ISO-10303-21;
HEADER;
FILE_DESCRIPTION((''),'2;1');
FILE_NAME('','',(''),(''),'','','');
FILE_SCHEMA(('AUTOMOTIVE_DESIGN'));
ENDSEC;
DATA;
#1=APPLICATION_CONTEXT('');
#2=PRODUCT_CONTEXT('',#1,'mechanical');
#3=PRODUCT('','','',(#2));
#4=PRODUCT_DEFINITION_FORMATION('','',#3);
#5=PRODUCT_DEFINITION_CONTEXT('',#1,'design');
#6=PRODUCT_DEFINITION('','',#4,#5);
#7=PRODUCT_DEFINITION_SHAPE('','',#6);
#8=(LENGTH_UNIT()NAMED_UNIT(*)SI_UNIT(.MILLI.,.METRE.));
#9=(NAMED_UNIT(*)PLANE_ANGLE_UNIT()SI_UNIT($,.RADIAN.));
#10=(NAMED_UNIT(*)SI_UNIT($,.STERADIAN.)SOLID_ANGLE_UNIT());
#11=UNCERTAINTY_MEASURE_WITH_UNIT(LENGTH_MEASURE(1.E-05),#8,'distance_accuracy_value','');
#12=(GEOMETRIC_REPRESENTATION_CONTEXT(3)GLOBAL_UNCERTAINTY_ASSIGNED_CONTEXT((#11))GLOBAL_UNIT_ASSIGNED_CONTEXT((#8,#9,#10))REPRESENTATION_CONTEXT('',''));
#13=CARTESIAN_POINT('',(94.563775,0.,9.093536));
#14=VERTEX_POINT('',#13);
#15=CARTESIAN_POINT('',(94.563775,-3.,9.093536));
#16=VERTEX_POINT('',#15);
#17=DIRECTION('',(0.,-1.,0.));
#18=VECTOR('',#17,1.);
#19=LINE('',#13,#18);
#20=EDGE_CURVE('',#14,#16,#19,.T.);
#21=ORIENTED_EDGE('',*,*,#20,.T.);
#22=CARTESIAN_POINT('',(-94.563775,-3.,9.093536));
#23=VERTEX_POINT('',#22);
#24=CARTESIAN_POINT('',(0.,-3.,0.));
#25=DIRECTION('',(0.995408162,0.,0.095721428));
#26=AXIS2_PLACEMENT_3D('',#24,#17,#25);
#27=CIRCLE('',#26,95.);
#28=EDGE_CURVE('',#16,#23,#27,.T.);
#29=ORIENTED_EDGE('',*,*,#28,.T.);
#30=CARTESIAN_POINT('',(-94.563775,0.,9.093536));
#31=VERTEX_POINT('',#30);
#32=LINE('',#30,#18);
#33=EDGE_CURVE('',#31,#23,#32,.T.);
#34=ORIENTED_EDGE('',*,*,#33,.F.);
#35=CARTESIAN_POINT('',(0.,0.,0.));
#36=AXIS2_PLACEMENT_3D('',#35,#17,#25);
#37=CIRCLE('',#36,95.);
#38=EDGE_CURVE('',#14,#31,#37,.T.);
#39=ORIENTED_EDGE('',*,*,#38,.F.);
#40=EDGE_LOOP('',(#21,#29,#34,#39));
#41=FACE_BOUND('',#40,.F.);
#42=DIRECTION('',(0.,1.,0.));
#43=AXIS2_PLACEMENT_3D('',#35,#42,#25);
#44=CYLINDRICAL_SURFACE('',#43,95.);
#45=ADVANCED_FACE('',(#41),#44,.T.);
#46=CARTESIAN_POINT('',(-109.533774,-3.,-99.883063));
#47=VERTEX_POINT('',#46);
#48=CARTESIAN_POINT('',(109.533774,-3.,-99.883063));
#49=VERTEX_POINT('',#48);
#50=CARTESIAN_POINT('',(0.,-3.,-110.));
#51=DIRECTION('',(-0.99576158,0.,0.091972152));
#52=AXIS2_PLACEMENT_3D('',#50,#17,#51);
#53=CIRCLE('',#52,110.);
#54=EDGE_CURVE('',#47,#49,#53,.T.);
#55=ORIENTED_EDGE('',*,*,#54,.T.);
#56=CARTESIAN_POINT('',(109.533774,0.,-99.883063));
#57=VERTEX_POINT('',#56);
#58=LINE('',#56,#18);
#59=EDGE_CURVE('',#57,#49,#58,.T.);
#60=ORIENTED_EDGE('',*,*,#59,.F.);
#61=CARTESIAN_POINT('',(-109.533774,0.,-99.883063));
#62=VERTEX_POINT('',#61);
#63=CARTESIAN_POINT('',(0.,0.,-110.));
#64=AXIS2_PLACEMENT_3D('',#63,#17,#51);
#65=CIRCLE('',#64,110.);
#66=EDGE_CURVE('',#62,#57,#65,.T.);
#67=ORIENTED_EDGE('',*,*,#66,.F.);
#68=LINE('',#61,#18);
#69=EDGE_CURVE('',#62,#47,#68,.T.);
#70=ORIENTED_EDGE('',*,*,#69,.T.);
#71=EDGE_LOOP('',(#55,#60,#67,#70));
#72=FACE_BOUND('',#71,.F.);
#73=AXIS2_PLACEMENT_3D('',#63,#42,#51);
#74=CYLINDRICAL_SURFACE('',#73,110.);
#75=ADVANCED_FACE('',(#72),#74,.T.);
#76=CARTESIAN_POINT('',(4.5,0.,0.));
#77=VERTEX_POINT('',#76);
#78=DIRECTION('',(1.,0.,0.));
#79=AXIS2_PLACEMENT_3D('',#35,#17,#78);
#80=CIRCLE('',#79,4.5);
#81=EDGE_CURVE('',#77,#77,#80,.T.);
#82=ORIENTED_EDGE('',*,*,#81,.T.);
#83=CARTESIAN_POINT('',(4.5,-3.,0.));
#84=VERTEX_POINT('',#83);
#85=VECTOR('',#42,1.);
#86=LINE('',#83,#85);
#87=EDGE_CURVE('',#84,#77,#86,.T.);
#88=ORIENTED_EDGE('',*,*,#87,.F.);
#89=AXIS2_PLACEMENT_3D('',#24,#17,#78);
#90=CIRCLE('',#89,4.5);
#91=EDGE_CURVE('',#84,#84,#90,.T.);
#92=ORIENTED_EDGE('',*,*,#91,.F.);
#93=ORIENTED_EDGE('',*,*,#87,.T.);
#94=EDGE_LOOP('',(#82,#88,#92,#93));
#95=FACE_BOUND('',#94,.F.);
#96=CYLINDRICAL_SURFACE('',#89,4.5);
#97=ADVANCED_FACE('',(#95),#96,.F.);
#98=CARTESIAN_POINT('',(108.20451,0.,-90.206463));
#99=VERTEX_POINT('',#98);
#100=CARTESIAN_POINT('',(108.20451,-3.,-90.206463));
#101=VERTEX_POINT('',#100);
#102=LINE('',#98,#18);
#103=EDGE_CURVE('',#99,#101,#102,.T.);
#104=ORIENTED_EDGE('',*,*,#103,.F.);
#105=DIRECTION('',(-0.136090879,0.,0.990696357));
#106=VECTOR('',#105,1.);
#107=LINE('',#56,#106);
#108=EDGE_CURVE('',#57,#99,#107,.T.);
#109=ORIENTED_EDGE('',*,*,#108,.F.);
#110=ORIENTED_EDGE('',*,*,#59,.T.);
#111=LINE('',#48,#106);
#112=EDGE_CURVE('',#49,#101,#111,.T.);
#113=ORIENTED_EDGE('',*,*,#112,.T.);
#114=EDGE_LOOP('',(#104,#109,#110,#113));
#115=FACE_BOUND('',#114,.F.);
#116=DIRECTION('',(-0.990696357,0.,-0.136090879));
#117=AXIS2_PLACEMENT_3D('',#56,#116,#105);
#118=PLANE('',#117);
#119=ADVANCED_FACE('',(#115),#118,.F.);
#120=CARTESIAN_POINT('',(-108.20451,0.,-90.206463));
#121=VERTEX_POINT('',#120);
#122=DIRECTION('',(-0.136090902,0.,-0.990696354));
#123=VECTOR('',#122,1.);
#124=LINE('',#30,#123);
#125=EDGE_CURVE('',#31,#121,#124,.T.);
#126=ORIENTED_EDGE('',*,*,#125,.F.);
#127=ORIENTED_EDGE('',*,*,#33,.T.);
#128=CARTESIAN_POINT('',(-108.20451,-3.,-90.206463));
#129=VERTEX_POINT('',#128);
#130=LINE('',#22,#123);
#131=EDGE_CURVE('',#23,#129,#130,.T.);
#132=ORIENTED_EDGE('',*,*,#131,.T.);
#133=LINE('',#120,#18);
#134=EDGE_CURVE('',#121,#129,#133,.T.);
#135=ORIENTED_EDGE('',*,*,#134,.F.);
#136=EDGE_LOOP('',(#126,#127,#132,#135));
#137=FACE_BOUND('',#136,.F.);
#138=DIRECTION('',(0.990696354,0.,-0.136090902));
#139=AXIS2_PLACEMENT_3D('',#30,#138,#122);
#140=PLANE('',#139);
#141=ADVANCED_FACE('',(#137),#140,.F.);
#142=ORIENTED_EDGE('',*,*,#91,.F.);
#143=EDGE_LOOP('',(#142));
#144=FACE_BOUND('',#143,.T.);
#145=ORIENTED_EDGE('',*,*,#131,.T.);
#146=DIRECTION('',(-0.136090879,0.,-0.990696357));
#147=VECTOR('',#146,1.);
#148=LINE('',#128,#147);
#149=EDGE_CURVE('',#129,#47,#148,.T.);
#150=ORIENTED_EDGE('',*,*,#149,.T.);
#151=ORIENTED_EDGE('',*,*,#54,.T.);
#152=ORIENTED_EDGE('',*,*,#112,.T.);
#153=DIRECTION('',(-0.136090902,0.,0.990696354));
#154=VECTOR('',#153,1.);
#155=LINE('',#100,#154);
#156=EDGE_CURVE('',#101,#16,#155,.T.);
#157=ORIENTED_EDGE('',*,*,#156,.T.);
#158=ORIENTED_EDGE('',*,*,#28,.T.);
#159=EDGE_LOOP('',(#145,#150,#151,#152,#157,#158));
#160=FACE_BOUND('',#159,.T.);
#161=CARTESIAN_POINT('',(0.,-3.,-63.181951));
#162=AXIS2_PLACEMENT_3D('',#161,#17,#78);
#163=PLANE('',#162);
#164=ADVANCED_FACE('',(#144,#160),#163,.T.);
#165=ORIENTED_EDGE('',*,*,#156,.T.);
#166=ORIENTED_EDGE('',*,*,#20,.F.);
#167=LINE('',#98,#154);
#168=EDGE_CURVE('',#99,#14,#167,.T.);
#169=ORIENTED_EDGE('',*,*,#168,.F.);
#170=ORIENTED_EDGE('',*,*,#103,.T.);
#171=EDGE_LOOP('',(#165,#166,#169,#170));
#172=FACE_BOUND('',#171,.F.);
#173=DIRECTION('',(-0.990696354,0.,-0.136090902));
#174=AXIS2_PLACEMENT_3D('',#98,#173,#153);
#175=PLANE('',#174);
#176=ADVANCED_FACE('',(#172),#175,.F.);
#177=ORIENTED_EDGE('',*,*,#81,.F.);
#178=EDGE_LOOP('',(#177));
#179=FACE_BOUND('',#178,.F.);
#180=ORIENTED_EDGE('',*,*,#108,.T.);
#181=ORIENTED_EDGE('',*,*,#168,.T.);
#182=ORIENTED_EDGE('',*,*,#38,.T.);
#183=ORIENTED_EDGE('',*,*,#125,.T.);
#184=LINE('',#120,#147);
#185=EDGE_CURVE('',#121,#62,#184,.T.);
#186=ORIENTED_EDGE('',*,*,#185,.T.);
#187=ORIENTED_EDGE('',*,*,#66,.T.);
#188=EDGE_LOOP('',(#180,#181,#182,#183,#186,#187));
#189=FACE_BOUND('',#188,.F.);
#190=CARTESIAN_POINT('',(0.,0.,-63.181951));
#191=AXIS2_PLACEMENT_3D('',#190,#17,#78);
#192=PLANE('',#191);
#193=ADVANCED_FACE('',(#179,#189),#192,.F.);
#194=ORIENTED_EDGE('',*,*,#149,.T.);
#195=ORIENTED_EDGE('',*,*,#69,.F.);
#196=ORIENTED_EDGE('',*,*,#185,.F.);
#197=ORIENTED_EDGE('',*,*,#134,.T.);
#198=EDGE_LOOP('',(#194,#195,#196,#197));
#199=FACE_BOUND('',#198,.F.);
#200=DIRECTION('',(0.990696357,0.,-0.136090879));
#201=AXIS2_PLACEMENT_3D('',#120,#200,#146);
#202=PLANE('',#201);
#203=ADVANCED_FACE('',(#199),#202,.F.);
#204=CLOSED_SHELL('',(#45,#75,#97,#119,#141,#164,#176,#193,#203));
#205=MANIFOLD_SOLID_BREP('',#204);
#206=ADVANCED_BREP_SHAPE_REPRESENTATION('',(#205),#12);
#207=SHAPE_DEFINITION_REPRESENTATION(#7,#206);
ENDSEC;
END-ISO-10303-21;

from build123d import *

# Parameters (mm, degrees)
F1_DEPTH = 3
F2_R     = 4.5
F3_DEPTH = 3.001


with BuildPart() as f1:
    # F0 (on Front) → F1 (new body)
    with BuildSketch(Plane.XZ):
        with BuildLine():
            Line((108.20451, -90.206463), (94.563775, 9.093536))
            ThreePointArc((94.563775, 9.093536), (0, 95), (-94.563775, 9.093536))
            Line((-94.563775, 9.093536), (-108.20451, -90.206463))
            Line((-108.20451, -90.206463), (-109.533774, -99.883063))
            ThreePointArc((-109.533774, -99.883063), (0, -220), (109.533774, -99.883063))
            Line((109.533774, -99.883063), (108.20451, -90.206463))
        make_face()
    extrude(amount=F1_DEPTH)

    # F2 (on face) → F3 (cut, through all)
    with BuildSketch(Plane.XZ.offset(3)):
        Circle(F2_R)
    extrude(amount=-F3_DEPTH, mode=Mode.SUBTRACT)


solid = f1.part
